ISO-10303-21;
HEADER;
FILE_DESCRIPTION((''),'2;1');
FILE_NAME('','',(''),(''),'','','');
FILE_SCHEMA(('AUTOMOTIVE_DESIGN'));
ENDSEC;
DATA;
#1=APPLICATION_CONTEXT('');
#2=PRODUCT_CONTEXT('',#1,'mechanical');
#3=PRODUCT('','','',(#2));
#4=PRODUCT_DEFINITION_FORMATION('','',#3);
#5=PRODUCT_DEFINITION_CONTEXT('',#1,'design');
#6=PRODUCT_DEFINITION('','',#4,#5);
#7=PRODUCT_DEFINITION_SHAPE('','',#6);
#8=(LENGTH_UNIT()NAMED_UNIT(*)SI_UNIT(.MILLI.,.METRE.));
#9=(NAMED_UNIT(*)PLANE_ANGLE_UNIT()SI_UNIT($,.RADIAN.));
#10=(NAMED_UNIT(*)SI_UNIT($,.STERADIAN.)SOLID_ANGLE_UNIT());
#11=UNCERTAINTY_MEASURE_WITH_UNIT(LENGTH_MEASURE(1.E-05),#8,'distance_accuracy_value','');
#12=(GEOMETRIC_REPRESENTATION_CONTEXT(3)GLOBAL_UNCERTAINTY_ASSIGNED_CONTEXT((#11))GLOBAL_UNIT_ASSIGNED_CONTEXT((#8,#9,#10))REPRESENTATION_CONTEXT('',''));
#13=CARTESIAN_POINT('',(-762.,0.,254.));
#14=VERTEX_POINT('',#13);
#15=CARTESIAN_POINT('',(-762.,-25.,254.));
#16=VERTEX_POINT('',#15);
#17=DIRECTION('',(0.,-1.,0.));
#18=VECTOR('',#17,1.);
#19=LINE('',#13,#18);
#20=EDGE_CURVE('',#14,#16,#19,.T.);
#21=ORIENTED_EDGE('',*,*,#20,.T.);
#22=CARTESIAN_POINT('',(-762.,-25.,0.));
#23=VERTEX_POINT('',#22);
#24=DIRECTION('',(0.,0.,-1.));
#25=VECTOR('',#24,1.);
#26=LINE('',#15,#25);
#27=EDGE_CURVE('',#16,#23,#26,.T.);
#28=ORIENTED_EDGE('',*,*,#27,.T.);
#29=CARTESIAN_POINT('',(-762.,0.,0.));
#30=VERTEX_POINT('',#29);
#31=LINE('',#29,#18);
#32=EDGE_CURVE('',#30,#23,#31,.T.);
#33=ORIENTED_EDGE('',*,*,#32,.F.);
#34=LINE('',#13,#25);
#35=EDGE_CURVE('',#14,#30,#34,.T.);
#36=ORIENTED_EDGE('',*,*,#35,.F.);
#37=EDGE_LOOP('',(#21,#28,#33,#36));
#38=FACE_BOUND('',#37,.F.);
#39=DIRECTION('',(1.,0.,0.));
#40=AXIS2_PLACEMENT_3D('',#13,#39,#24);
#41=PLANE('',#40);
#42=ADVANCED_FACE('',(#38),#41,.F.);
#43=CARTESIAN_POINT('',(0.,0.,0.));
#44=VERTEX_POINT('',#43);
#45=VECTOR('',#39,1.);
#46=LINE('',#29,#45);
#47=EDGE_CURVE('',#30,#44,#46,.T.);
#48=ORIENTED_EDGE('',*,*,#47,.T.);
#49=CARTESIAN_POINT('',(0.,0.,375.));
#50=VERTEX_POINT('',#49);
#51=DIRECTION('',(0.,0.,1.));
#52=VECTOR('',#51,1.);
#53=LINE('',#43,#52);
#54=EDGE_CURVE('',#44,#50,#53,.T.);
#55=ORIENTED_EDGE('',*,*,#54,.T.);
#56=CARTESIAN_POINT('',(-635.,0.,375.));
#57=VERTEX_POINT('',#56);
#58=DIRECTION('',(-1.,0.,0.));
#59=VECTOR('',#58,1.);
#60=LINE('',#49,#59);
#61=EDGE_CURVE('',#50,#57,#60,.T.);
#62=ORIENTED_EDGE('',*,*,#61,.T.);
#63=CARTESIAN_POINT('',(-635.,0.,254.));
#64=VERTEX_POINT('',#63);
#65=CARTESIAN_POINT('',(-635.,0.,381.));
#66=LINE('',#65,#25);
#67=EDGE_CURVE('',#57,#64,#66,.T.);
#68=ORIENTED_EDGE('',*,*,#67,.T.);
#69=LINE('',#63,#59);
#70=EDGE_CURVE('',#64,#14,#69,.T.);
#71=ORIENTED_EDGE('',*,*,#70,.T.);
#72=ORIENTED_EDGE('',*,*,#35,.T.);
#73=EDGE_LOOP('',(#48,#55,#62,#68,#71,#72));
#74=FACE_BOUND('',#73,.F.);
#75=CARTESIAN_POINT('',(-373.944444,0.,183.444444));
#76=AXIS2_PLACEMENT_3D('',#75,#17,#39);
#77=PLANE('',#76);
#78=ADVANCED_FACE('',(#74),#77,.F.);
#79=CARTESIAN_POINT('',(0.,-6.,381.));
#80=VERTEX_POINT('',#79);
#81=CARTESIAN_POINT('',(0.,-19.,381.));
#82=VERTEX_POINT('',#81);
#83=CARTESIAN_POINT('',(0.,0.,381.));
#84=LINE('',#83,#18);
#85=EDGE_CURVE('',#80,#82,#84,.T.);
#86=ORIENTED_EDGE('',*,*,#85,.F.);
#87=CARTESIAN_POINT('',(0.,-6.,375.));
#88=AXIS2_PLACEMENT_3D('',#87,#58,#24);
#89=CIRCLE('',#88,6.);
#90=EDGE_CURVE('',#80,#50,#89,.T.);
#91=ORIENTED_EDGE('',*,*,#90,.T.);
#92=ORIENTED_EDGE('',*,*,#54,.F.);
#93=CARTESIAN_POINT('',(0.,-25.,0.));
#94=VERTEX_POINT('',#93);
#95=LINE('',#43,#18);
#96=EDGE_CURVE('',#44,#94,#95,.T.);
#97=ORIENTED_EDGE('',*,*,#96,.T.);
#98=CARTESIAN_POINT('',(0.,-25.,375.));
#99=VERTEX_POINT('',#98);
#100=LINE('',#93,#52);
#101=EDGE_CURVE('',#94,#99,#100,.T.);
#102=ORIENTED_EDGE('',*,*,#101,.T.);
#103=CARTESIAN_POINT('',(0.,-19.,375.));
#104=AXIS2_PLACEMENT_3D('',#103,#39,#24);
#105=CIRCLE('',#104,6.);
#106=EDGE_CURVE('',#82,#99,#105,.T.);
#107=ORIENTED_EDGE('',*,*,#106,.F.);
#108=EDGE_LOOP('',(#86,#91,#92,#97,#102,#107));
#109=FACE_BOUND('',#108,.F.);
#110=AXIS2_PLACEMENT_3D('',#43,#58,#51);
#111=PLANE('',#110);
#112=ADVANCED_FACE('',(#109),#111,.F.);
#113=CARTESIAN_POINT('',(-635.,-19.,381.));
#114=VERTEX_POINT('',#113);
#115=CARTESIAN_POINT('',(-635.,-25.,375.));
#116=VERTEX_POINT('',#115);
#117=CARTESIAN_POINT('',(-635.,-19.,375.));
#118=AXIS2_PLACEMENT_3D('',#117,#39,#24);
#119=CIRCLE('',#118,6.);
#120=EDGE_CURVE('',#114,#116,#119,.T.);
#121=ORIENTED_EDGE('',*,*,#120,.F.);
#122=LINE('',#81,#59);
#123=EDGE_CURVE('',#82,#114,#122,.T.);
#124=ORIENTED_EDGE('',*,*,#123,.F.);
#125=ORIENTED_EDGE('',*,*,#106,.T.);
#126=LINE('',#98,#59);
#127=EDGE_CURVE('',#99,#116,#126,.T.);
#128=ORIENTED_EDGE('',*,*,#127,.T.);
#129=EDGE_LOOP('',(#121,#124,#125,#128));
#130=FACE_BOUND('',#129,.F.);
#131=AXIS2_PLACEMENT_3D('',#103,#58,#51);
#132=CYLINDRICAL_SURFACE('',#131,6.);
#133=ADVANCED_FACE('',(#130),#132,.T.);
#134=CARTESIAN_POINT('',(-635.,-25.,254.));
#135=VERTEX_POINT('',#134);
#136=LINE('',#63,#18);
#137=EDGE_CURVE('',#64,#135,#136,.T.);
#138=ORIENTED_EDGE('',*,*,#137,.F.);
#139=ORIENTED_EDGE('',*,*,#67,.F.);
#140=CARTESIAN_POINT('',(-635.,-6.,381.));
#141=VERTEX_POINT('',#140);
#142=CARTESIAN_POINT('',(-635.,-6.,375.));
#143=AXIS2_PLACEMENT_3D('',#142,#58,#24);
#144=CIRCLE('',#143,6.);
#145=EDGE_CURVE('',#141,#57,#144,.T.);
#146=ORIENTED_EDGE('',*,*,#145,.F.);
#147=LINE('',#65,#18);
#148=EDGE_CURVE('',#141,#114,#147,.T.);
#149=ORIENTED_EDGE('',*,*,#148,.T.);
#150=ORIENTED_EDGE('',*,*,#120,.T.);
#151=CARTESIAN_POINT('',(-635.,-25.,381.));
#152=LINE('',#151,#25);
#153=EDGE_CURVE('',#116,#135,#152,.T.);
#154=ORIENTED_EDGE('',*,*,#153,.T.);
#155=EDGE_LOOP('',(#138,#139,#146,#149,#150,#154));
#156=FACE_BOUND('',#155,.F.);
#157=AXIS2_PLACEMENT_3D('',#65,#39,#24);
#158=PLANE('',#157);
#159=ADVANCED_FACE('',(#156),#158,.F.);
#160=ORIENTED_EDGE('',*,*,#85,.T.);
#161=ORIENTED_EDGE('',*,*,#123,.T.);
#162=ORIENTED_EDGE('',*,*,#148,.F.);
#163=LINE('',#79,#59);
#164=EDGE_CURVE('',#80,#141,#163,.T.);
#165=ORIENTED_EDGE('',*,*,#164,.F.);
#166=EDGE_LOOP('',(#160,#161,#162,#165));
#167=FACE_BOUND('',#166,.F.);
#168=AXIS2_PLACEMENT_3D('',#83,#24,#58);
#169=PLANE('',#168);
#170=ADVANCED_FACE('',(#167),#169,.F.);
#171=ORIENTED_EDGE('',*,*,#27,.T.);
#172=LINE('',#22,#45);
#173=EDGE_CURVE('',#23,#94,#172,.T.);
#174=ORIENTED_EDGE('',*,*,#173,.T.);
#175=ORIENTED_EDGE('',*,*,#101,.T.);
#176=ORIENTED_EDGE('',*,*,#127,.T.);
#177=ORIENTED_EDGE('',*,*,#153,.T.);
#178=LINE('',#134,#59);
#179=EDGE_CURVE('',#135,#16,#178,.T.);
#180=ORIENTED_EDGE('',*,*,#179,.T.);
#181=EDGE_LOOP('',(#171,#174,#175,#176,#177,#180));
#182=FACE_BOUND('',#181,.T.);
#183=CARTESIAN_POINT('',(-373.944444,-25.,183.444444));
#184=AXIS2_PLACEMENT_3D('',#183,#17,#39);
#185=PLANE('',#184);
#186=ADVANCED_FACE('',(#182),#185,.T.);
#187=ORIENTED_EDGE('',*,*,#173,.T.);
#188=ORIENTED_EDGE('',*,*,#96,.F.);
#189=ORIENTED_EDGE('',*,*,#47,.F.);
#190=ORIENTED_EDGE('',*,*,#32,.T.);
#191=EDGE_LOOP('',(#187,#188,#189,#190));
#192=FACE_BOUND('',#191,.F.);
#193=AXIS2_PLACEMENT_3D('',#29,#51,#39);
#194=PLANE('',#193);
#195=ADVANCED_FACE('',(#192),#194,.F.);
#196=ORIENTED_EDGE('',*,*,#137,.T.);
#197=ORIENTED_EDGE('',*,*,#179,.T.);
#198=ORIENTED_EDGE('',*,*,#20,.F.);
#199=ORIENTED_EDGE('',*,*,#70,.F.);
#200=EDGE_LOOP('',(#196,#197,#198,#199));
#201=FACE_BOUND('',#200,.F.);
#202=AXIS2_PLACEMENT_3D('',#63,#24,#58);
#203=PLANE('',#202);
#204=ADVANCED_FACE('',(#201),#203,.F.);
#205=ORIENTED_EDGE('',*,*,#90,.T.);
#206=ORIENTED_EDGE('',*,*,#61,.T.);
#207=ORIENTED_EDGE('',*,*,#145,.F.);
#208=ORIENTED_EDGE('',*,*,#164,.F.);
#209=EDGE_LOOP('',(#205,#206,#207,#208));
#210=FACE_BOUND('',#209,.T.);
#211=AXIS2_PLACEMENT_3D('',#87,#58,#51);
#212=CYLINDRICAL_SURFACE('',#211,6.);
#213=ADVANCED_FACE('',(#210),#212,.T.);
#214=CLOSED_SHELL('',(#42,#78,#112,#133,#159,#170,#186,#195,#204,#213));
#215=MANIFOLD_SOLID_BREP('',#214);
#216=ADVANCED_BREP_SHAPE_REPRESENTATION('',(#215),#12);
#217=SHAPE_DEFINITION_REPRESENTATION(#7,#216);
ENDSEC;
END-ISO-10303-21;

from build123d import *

# Parameters (mm, degrees)
F1_DEPTH = 25
F2_R     = 6
F3_R     = 6


with BuildPart() as f1:
    # F0 (on Front) → F1 (new body)
    with BuildSketch(Plane.XZ):
        Polygon((0, 381), (-635, 381), (-635, 254), (-762, 254), (-762, 0), (0, 0), align=None)
    extrude(amount=F1_DEPTH)

    # F2
    f2_edges = [f1.edges().sort_by_distance(p)[0] for p in [
        (-317.5, -25, 381),
    ]]
    fillet(f2_edges, radius=F2_R)

    # F3
    f3_edges = [f1.edges().sort_by_distance(p)[0] for p in [
        (-317.5, 0, 381),
    ]]
    fillet(f3_edges, radius=F3_R)


solid = f1.part
